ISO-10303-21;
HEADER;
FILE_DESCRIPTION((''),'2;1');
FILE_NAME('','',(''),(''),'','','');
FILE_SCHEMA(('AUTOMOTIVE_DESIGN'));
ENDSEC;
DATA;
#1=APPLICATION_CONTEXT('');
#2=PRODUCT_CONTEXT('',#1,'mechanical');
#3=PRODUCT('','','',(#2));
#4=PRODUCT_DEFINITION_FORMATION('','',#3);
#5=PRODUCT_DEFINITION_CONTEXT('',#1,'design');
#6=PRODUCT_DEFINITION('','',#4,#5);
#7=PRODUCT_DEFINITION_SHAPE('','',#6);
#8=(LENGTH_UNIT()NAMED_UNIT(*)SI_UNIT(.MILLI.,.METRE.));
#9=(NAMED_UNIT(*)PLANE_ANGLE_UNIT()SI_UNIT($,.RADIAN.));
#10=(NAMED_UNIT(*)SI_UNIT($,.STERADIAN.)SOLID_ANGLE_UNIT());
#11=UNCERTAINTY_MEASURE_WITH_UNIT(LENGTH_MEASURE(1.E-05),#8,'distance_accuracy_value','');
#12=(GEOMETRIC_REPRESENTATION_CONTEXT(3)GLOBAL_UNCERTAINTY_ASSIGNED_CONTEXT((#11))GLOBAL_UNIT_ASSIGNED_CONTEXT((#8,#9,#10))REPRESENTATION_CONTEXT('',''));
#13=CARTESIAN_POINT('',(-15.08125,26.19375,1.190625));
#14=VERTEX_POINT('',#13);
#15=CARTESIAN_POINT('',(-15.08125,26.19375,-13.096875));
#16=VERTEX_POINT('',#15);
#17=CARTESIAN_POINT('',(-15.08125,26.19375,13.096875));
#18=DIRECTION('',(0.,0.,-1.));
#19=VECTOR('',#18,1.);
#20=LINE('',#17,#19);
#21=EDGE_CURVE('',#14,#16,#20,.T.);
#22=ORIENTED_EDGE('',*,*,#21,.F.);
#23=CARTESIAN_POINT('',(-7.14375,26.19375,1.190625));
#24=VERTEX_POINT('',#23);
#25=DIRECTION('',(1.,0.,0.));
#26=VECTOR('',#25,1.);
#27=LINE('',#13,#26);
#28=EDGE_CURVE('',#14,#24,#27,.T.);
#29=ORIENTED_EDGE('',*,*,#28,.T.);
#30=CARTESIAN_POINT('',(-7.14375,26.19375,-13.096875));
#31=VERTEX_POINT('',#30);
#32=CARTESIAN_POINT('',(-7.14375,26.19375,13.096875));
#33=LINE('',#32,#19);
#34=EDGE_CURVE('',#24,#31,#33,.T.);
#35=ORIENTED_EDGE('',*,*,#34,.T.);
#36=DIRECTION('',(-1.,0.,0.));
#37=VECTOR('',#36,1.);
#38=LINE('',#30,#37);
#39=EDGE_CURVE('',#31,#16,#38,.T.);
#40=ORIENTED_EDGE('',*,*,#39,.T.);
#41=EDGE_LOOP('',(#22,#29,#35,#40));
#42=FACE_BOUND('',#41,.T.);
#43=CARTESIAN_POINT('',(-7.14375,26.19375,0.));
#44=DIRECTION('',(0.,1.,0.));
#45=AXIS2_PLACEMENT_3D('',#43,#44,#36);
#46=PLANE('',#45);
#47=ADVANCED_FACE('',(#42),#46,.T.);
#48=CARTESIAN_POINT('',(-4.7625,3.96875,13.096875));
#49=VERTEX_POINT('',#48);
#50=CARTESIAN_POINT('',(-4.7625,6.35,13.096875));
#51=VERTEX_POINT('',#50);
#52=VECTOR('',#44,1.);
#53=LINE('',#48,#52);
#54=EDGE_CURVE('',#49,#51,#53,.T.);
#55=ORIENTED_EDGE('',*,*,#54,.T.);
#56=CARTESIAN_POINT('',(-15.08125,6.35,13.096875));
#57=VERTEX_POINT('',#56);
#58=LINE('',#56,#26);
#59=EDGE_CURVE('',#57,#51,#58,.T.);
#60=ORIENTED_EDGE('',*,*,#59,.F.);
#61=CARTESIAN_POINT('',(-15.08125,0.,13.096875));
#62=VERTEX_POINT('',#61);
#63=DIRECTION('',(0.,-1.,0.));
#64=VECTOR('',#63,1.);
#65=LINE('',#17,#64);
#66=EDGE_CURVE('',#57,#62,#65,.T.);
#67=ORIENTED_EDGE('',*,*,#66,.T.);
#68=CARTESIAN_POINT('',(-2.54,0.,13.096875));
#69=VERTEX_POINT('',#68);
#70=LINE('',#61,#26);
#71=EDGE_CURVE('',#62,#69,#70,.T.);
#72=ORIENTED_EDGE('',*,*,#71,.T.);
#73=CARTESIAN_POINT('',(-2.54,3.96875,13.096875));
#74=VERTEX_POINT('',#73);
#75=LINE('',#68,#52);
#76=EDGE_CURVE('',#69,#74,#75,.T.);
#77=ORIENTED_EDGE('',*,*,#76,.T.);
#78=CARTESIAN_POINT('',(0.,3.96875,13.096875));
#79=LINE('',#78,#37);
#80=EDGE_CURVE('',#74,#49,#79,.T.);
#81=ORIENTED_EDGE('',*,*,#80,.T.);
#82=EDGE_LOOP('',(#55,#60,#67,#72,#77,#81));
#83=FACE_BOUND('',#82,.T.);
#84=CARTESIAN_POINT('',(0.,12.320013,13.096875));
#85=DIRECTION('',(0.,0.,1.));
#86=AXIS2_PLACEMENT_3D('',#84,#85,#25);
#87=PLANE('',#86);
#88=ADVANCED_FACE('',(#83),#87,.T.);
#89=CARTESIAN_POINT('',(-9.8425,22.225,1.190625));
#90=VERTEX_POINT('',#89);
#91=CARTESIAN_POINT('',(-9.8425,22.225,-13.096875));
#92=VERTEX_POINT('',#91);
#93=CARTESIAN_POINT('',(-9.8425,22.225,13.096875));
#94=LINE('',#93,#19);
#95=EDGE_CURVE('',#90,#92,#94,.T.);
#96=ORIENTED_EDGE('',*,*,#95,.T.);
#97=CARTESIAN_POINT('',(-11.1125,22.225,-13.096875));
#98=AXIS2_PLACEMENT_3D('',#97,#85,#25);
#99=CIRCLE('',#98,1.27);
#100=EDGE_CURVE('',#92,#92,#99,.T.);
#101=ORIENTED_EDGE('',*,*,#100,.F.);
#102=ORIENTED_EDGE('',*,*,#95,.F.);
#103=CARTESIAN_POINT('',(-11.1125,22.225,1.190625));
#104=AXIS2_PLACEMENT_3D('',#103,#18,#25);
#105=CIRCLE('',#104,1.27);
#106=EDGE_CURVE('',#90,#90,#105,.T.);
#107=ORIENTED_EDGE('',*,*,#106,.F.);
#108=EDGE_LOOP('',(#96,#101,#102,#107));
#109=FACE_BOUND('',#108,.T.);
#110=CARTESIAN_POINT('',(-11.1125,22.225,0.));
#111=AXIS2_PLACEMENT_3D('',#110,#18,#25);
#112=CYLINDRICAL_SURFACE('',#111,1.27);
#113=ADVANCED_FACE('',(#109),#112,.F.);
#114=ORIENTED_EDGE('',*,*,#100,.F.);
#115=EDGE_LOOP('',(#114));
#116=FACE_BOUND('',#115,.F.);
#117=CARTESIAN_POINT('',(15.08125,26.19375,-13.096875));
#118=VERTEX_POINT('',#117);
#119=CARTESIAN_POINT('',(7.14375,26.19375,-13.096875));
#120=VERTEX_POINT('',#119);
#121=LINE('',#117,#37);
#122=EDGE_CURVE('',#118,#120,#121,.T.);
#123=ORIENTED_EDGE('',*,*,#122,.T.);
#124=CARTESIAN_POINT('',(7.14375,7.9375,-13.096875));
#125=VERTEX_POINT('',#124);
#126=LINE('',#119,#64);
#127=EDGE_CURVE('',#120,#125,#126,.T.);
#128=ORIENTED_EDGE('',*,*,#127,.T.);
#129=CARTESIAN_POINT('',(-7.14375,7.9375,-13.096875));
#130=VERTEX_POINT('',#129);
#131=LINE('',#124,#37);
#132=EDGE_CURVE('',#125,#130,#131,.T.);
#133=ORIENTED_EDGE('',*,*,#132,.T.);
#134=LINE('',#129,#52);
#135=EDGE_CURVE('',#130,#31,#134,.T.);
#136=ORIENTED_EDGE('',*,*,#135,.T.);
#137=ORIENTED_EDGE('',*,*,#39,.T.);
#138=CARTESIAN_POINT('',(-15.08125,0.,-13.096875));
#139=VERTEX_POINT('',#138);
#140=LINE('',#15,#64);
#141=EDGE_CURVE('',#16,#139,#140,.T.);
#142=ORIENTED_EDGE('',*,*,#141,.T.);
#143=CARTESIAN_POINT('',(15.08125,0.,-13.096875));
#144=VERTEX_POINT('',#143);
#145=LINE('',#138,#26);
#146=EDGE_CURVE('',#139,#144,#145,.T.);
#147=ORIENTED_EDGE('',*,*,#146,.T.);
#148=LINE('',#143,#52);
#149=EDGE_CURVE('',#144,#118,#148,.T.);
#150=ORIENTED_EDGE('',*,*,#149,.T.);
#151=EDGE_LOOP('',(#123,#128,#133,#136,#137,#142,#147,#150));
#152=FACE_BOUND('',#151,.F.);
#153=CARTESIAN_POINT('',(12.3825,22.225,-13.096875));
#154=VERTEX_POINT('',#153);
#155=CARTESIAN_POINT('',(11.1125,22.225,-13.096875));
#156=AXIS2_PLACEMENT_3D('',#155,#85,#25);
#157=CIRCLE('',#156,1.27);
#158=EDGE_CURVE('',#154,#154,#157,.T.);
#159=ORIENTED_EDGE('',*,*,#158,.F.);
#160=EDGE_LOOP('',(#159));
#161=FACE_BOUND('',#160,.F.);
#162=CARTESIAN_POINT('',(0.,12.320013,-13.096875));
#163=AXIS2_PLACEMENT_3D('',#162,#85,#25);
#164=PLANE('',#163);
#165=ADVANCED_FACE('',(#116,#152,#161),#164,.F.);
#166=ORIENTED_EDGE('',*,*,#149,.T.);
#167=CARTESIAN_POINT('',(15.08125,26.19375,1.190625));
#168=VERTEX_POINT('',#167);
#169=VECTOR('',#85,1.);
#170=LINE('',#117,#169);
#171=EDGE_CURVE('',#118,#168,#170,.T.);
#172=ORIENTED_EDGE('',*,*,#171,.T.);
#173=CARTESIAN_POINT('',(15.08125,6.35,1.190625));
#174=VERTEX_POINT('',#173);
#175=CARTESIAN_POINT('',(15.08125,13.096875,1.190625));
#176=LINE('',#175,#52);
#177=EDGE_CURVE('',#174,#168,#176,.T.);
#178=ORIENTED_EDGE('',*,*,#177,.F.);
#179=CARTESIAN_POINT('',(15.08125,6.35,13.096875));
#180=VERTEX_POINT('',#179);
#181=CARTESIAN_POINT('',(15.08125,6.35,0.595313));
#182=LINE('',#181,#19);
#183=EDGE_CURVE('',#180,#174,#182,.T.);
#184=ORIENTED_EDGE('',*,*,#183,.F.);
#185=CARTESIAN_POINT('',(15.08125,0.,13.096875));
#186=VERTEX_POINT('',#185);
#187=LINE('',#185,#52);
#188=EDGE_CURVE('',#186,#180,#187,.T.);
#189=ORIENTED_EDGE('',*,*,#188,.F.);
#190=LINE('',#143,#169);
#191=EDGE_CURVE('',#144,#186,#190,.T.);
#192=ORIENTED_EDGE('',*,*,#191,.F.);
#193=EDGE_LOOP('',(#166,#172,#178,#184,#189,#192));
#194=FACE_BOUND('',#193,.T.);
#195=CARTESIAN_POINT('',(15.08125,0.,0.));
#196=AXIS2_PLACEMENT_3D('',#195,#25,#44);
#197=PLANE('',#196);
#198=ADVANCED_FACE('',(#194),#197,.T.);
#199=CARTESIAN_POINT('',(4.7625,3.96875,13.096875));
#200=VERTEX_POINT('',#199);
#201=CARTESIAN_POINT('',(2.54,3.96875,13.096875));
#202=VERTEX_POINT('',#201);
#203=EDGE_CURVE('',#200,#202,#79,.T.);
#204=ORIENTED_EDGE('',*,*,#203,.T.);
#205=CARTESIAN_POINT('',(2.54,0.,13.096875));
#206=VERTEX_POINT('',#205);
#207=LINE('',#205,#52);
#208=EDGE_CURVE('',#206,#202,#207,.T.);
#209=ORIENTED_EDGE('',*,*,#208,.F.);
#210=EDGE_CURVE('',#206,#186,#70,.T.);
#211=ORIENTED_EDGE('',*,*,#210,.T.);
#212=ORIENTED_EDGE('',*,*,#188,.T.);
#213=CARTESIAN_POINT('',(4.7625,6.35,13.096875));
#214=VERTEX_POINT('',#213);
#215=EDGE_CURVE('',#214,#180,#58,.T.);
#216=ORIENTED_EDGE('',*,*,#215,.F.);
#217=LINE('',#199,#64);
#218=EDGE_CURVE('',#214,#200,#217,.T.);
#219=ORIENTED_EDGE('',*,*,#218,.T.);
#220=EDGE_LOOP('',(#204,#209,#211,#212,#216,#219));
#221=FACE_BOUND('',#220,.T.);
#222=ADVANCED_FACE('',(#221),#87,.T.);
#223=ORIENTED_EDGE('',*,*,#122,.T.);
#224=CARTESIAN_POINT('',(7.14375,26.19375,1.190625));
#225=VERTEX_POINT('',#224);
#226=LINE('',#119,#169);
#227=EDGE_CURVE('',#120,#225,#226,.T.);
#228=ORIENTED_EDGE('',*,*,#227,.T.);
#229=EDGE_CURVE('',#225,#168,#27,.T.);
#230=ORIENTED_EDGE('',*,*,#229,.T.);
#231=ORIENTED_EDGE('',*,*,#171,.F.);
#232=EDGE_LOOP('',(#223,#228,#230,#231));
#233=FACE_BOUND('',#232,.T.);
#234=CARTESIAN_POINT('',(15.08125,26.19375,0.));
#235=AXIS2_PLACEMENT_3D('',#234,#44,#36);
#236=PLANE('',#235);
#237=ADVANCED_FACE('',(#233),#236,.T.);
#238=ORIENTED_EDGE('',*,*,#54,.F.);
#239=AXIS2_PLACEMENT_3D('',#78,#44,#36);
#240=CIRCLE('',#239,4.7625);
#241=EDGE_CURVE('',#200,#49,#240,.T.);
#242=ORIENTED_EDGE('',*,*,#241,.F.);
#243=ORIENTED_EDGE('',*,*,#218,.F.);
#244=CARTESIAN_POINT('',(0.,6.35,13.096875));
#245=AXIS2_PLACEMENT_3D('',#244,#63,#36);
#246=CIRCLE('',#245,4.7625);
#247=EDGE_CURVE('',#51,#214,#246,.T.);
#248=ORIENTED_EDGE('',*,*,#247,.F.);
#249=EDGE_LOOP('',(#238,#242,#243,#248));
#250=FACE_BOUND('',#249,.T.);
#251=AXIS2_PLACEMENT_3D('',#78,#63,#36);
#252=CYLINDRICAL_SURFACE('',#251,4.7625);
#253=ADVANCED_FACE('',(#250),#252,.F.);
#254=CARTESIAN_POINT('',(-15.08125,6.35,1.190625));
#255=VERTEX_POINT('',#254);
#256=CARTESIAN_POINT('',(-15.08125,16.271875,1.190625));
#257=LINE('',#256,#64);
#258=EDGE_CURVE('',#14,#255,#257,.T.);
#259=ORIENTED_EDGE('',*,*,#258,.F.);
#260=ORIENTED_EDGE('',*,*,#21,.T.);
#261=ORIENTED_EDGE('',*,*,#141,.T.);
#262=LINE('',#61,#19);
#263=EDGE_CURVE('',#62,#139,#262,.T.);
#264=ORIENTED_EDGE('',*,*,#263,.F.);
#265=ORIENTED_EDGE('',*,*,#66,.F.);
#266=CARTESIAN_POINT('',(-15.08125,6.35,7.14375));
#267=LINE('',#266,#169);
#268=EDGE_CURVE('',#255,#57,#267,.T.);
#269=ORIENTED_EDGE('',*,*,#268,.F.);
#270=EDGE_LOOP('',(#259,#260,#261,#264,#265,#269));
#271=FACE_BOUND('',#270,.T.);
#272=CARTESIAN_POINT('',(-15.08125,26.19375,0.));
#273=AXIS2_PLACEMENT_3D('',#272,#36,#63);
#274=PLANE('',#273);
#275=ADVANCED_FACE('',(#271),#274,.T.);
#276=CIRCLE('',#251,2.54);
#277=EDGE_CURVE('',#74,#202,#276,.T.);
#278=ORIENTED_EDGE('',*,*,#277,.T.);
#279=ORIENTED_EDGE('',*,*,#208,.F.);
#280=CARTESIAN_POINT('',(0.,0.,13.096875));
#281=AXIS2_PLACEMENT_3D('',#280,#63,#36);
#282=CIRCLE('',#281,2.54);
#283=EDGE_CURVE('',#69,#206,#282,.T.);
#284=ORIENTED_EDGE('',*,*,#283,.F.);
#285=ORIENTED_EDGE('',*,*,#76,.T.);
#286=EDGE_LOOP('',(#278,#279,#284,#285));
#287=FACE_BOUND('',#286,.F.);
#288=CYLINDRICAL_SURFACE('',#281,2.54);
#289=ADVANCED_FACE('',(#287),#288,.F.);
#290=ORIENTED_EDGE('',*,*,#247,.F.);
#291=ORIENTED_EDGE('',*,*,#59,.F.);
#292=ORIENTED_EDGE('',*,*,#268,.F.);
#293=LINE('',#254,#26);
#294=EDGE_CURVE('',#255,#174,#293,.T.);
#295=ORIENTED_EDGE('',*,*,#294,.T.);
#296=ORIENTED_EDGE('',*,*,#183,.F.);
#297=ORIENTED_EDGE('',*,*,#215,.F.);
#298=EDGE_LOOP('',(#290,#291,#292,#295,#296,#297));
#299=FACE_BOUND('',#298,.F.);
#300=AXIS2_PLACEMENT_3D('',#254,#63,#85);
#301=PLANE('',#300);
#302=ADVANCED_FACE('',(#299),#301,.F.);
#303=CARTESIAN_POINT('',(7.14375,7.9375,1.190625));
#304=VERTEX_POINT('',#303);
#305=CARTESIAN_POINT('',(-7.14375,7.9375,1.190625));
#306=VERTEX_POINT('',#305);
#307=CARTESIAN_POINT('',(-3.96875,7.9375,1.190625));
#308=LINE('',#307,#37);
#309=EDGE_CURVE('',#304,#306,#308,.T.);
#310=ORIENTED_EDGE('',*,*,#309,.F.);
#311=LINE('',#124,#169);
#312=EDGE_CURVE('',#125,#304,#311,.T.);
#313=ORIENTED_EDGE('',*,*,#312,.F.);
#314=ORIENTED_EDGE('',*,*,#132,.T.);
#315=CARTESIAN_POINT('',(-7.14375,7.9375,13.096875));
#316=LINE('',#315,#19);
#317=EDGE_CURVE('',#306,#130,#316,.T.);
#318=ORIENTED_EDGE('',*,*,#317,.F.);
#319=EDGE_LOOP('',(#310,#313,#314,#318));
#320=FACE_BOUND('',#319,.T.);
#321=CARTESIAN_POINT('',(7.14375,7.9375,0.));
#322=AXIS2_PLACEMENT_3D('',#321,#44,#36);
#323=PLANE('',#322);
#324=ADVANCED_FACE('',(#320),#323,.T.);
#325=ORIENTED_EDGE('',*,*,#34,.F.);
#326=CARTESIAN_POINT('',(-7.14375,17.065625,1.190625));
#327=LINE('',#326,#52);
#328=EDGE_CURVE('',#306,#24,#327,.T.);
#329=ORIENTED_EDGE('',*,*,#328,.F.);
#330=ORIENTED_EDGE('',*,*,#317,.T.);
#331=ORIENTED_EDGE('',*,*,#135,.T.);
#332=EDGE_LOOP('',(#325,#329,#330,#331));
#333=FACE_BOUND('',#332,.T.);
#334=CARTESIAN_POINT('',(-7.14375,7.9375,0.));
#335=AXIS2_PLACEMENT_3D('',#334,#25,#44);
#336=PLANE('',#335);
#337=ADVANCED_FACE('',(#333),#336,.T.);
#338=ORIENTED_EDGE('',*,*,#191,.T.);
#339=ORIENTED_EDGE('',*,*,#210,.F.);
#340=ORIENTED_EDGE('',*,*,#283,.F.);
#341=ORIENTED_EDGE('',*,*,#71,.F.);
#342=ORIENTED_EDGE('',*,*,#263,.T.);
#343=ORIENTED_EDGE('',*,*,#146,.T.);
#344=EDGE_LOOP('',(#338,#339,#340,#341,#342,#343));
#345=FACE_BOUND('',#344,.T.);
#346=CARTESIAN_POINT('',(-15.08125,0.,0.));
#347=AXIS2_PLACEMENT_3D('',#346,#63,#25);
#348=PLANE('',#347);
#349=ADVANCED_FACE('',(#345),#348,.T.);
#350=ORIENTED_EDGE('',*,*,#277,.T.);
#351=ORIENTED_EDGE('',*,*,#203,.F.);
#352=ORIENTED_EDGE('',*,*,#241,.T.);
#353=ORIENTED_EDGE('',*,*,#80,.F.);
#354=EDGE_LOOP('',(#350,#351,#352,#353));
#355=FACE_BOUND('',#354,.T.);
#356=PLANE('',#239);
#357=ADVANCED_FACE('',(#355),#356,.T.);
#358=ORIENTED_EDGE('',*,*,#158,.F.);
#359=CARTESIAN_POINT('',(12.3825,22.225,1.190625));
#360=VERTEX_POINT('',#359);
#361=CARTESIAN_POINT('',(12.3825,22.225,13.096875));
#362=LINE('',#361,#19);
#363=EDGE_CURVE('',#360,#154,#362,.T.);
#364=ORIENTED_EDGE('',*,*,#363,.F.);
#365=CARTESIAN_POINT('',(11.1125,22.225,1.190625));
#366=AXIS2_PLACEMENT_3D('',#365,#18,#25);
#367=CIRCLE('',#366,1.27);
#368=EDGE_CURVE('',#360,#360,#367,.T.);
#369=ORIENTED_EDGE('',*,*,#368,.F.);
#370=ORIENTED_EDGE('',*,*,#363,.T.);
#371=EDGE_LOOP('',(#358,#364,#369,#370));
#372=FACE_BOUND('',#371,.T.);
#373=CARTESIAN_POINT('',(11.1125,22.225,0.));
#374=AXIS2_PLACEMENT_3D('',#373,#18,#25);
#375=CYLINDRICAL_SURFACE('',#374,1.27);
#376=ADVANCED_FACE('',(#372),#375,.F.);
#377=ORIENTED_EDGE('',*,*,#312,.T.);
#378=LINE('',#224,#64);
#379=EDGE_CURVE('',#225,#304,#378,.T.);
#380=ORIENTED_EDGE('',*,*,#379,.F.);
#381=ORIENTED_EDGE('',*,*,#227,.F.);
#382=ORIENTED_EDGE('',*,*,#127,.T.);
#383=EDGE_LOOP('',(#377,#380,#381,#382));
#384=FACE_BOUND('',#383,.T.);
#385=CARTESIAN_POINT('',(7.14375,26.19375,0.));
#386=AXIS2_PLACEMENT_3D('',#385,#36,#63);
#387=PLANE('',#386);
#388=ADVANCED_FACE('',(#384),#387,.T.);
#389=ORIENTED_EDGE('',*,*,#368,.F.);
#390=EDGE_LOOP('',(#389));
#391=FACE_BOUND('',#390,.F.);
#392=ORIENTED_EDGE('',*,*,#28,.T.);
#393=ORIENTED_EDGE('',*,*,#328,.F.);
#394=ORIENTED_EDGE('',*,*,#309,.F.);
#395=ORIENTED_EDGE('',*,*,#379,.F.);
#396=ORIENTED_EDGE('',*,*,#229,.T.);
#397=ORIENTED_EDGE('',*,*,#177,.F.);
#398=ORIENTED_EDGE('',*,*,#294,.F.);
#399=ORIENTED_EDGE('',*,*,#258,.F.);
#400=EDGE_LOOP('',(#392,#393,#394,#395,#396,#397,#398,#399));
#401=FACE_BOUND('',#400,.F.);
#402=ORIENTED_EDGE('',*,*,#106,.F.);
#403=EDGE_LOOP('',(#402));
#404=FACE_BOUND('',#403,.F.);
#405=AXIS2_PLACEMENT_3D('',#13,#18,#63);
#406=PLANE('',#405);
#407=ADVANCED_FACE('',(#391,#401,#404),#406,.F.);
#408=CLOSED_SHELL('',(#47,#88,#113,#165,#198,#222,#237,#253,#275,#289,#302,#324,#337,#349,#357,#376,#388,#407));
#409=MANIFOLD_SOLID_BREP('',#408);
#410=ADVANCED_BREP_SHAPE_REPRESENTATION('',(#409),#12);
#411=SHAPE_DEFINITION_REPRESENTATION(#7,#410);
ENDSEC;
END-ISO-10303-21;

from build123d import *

# Parameters (mm, degrees)
F0_R     = 1.27
F1_DEPTH = 13.096875
F2_W     = 19.84375
F2_H     = 11.90625
F3_DEPTH = 30.1635
F5_DEPTH = 26.19475
F7_R     = 4.7625
F8_DEPTH = 22.226


with BuildPart() as f1:
    # F0 (on Top) → F1 (new body, symmetric)
    with BuildSketch(Plane.XY):
        Polygon((-15.08125, 0), (0, 0), (15.08125, 0), (15.08125, 26.19375), (7.14375, 26.19375), (7.14375, 7.9375), (0, 7.9375), (-7.14375, 7.9375), (-7.14375, 26.19375), (-15.08125, 26.19375), align=None)
        with Locations((-11.1125, 22.225)):
            Circle(F0_R, mode=Mode.SUBTRACT)
        with Locations((11.1125, 22.225)):
            Circle(F0_R, mode=Mode.SUBTRACT)
    extrude(amount=F1_DEPTH, both=True)

    # F2 (on face) → F3 (cut, through all)
    with BuildSketch(Plane(origin=(-15.08125, 0, 0), x_dir=(0, -1, 0), z_dir=(-1, 0, 0))):
        with Locations((-16.271875, 7.14375)):
            Rectangle(F2_W, F2_H)
    extrude(amount=-F3_DEPTH, mode=Mode.SUBTRACT)

    # F4 (on face) → F5 (cut, through all)
    with BuildSketch(Plane.XZ):
        with BuildLine():
            ThreePointArc((-2.54, 13.096875), (0, 10.556875), (2.54, 13.096875))
            Line((2.54, 13.096875), (-2.54, 13.096875))
        make_face()
    extrude(amount=-F5_DEPTH, mode=Mode.SUBTRACT)

    # F7 (on offset) → F8 (cut, through all)
    with BuildSketch(Plane(origin=(0, 3.96875, 0), x_dir=(-1, 0, 0), z_dir=(0, 1, 0))):
        with Locations((0, 13.096875)):
            Circle(F7_R)
    extrude(amount=F8_DEPTH, mode=Mode.SUBTRACT)


solid = f1.part
